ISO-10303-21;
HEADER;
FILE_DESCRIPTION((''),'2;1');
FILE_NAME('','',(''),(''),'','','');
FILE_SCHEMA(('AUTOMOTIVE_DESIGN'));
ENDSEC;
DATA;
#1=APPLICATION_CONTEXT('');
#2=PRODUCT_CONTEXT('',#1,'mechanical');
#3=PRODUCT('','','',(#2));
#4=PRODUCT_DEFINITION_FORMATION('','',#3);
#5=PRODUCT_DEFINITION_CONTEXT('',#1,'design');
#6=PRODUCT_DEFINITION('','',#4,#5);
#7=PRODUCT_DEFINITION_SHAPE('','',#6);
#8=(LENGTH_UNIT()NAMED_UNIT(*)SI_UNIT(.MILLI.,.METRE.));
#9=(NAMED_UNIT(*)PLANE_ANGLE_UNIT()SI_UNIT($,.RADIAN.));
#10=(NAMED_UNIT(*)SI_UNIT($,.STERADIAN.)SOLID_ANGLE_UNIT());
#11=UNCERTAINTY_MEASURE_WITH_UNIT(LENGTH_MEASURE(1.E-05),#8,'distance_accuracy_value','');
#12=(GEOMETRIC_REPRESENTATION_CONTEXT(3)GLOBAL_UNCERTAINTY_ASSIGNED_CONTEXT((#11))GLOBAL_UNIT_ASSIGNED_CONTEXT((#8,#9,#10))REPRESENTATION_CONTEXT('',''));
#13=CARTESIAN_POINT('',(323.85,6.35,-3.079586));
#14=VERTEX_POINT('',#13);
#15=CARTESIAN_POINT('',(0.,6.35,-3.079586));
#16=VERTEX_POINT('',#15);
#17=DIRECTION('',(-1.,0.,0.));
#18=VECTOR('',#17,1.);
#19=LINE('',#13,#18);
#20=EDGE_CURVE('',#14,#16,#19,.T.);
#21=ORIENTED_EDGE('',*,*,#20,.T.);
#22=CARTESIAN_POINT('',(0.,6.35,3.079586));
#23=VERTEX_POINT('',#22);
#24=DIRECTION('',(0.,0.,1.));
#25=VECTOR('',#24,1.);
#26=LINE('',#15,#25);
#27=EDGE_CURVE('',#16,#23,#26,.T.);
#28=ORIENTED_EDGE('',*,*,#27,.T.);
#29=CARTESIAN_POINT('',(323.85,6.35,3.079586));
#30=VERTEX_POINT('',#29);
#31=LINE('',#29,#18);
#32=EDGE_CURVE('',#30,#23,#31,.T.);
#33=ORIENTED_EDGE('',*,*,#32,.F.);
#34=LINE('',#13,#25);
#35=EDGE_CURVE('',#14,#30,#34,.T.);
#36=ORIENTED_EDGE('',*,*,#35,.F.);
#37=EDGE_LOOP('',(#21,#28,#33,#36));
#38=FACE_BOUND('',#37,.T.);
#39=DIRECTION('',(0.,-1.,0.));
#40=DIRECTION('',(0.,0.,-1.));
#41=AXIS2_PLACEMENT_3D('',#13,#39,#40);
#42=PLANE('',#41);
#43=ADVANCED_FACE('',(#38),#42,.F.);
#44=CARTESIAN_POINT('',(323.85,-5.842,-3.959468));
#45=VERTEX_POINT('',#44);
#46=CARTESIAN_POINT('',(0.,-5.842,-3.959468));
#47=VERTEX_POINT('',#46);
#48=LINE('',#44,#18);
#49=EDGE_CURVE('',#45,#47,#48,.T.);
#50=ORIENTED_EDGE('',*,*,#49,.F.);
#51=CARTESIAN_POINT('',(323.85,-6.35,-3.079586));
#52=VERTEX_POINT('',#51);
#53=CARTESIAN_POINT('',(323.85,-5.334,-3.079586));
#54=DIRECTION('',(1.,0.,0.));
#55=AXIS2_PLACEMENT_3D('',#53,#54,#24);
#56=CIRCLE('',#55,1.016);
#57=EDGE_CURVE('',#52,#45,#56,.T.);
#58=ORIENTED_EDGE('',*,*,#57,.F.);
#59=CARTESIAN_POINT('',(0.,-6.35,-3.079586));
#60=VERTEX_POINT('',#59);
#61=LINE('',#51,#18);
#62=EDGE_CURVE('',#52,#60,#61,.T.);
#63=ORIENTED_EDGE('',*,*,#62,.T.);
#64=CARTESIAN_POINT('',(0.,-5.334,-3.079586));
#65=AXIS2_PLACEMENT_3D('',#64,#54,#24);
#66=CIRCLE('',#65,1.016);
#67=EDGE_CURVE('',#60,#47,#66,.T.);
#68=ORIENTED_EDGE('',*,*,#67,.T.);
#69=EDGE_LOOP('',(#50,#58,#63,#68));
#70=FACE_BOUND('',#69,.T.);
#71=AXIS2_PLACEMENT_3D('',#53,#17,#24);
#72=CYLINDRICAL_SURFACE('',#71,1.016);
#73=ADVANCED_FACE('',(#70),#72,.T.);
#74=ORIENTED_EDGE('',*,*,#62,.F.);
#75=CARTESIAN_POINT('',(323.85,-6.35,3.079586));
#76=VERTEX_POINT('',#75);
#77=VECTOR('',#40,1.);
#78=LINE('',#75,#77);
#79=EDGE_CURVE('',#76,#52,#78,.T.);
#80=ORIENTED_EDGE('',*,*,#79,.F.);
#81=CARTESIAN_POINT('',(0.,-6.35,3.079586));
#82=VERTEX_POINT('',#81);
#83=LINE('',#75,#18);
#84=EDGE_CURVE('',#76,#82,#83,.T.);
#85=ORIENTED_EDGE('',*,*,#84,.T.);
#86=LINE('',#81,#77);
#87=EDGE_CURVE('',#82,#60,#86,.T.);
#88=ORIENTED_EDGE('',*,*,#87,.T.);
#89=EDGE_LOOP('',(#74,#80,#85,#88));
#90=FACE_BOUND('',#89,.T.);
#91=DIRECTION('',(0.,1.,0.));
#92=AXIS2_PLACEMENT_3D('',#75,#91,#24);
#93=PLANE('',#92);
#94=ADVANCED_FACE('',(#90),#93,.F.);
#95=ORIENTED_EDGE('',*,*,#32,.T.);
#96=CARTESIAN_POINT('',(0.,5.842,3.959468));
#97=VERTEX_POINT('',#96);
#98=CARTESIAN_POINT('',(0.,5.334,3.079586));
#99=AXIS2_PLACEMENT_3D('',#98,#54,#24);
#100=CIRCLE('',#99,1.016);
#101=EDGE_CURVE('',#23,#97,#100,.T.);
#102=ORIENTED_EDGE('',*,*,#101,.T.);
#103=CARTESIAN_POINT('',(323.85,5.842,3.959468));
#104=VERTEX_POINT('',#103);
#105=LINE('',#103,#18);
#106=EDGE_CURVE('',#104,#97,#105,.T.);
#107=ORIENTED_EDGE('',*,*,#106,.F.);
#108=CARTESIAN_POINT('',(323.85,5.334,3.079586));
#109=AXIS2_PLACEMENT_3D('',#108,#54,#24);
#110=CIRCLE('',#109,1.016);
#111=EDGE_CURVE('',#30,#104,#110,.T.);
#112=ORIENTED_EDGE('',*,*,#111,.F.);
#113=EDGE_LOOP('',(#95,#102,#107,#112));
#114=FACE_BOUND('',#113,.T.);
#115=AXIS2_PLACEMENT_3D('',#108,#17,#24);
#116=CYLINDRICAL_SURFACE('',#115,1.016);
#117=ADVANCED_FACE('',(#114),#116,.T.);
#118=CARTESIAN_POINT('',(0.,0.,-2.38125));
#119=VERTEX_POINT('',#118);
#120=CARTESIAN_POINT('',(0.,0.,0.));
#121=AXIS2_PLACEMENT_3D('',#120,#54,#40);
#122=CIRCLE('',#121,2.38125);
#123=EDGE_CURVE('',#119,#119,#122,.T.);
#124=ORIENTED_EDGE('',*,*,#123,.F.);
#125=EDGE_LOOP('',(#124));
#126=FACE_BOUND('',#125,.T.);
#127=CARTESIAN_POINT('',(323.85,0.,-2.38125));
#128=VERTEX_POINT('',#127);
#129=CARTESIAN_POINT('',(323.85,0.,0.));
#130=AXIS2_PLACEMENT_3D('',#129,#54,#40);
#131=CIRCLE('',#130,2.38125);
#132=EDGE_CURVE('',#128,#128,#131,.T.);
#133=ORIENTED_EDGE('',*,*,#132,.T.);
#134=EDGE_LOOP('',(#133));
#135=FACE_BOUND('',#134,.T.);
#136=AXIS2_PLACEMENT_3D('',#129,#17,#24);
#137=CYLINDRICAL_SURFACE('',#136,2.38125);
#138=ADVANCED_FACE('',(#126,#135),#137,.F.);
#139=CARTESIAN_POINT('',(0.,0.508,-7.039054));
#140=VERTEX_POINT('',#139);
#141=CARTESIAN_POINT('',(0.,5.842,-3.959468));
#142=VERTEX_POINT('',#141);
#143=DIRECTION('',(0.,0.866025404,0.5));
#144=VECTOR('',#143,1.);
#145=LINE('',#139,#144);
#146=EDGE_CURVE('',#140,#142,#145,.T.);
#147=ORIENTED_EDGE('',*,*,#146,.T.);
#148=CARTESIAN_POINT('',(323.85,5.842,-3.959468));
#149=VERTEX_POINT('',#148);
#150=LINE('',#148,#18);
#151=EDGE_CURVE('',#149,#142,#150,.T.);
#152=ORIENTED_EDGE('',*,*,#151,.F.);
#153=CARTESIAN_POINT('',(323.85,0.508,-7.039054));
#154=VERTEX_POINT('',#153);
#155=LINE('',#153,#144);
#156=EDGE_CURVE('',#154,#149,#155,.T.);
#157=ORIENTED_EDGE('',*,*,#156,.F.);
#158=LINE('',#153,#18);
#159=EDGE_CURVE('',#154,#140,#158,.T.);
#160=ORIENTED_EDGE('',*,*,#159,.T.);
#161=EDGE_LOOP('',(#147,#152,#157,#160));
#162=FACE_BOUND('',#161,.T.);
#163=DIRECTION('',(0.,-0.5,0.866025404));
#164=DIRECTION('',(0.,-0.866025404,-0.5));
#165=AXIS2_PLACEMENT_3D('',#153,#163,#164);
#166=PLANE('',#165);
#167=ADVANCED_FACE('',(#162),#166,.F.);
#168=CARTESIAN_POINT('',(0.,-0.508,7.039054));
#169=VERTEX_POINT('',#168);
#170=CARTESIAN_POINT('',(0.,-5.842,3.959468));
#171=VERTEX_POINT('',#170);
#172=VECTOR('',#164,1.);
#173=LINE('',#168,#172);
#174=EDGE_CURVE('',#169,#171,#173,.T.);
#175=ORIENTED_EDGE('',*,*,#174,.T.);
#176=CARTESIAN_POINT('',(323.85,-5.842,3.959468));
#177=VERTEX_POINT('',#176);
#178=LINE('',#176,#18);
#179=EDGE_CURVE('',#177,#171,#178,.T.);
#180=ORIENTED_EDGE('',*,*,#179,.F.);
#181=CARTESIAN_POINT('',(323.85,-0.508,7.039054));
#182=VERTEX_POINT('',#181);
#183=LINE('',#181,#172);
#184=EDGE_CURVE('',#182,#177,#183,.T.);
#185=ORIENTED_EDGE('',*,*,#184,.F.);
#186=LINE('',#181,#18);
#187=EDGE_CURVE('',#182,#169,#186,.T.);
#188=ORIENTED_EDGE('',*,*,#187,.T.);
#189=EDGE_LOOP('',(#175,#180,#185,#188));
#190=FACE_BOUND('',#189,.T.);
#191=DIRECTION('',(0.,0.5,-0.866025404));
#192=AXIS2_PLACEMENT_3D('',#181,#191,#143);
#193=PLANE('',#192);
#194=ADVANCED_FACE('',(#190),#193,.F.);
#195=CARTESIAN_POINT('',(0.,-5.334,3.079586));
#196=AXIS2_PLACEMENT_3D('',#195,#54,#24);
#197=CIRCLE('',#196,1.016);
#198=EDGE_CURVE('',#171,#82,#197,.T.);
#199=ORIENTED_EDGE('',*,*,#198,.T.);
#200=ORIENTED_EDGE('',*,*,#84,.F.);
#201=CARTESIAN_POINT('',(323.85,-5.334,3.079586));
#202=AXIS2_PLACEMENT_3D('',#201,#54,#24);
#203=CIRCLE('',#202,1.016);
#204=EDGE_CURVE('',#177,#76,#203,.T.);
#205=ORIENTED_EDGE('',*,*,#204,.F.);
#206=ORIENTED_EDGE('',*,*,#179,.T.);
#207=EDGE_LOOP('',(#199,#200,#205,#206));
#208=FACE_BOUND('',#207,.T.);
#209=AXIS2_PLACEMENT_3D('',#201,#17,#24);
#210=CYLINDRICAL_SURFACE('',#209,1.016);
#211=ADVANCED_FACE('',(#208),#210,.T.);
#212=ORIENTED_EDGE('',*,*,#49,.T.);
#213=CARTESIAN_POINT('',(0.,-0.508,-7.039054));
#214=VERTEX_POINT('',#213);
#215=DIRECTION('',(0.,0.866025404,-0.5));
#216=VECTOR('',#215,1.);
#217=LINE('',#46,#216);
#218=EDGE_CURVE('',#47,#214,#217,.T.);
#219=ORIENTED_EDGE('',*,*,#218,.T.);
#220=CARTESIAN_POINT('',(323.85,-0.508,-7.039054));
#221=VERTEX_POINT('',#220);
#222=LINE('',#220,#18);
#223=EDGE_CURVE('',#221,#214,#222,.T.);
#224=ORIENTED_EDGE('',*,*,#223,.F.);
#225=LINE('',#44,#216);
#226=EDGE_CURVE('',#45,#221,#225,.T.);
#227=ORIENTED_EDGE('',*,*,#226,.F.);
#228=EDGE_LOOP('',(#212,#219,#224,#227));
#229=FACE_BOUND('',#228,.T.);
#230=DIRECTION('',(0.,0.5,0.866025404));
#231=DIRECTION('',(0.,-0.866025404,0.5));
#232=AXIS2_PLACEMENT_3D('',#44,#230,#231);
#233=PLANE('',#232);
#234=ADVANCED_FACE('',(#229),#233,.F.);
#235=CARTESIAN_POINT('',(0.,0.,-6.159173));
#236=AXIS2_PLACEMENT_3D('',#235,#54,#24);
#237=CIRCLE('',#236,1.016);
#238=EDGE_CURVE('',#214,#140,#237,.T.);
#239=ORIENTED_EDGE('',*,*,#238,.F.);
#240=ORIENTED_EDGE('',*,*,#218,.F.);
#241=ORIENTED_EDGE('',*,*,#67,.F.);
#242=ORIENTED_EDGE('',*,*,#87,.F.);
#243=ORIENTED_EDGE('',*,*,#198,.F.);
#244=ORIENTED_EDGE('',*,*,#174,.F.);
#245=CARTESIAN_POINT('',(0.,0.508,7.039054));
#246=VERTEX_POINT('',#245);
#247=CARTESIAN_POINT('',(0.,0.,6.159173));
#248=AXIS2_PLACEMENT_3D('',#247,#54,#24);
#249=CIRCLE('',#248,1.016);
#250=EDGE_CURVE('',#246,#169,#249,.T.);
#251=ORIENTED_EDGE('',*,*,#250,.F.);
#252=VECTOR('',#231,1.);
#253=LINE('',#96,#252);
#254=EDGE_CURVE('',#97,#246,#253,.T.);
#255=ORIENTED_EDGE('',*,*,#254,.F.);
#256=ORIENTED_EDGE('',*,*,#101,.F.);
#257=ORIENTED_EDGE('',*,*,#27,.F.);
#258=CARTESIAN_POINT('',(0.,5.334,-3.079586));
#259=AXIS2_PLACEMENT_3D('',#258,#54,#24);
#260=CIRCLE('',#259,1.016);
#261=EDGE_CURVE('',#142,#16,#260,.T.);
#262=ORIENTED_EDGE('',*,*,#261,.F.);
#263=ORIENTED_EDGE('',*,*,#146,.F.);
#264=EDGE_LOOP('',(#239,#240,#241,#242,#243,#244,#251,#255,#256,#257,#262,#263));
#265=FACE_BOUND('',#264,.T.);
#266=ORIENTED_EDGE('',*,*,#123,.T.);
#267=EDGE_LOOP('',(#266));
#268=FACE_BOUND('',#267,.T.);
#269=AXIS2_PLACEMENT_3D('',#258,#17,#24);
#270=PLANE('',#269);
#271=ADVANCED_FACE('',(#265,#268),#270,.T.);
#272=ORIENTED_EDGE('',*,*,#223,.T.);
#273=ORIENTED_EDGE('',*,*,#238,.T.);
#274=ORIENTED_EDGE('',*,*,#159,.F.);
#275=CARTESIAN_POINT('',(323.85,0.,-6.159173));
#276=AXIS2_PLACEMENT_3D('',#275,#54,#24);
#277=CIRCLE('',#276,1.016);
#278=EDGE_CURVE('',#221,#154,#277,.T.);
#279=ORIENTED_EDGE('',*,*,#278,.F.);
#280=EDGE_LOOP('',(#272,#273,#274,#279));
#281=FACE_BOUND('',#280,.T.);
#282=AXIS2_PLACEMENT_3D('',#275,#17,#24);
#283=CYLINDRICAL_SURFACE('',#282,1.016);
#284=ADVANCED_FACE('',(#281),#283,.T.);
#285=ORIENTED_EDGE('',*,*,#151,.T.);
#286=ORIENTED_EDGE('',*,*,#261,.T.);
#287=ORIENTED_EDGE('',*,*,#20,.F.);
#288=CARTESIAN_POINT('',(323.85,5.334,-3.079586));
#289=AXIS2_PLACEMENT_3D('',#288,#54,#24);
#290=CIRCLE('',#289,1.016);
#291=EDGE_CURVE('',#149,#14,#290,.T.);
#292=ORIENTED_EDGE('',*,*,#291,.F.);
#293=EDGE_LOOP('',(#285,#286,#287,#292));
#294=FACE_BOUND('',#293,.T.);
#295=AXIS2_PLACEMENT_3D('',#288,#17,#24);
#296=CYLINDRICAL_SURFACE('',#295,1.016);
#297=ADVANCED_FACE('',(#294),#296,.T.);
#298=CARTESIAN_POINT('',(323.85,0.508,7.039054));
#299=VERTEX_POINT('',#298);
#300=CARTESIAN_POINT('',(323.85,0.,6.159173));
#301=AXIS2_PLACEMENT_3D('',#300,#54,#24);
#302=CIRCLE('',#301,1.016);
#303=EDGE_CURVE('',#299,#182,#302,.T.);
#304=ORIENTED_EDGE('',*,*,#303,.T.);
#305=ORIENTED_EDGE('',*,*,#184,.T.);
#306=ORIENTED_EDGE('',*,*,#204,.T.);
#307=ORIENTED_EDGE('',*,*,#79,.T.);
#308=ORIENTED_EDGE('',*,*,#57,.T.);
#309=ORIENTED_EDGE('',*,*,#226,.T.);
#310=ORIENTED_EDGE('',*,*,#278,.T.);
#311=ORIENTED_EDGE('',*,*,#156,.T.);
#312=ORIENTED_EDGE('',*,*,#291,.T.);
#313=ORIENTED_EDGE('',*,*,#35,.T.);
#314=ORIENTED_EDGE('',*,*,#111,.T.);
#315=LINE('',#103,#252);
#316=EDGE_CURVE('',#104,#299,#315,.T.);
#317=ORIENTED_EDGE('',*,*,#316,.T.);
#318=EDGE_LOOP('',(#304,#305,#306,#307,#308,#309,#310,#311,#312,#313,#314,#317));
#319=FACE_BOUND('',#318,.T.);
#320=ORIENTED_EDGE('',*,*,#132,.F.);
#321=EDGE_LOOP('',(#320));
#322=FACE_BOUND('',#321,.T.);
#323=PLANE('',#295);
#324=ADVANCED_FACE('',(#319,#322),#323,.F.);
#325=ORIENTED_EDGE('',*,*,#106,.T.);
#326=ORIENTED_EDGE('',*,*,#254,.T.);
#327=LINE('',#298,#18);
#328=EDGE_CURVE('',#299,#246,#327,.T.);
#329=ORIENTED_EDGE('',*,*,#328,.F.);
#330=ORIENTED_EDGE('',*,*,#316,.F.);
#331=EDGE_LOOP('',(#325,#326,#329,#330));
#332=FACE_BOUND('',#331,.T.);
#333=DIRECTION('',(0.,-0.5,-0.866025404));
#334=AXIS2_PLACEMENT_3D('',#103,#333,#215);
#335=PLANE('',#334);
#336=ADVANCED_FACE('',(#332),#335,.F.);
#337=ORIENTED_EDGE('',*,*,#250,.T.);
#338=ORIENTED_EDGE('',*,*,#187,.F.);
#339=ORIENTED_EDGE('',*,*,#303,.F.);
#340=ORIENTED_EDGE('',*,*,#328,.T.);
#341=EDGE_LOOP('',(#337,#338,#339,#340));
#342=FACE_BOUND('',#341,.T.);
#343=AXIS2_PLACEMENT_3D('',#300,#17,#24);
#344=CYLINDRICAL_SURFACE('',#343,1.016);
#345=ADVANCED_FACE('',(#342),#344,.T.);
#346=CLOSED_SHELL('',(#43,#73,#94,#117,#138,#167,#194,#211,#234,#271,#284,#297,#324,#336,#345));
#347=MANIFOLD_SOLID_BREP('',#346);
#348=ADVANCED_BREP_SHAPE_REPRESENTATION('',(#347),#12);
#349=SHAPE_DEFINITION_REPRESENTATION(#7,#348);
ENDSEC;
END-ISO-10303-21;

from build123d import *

# Parameters (mm, degrees)
SKETCH1_R           = 2.38125
BOSS_EXTRUDE1_DEPTH = 323.85


with BuildPart() as part:
    # Sketch1 → Boss-Extrude1 (new body)
    with BuildSketch(Plane(origin=(0, 0, 0), x_dir=(0, 0, -1), z_dir=(1, 0, 0))):
        with BuildLine():
            Line((7.039054482, 0.508), (3.959468146, 5.842))
            ThreePointArc((3.959468146, 5.842), (3.587586336, 6.21388181), (3.079586336, 6.35))
            Line((3.079586336, 6.35), (-3.079586336, 6.35))
            ThreePointArc((-3.079586336, 6.35), (-3.587586336, 6.21388181), (-3.959468146, 5.842))
            Line((-3.959468146, 5.842), (-7.039054482, 0.508))
            ThreePointArc((-7.039054482, 0.508), (-7.175172672, 0), (-7.039054482, -0.508))
            Line((-7.039054482, -0.508), (-3.959468146, -5.842))
            ThreePointArc((-3.959468146, -5.842), (-3.587586336, -6.21388181), (-3.079586336, -6.35))
            Line((-3.079586336, -6.35), (3.079586336, -6.35))
            ThreePointArc((3.079586336, -6.35), (3.587586336, -6.21388181), (3.959468146, -5.842))
            Line((3.959468146, -5.842), (7.039054482, -0.508))
            ThreePointArc((7.039054482, -0.508), (7.175172672, 0), (7.039054482, 0.508))
        make_face()
        Circle(SKETCH1_R, mode=Mode.SUBTRACT)
    extrude(amount=BOSS_EXTRUDE1_DEPTH)


solid = part.part
